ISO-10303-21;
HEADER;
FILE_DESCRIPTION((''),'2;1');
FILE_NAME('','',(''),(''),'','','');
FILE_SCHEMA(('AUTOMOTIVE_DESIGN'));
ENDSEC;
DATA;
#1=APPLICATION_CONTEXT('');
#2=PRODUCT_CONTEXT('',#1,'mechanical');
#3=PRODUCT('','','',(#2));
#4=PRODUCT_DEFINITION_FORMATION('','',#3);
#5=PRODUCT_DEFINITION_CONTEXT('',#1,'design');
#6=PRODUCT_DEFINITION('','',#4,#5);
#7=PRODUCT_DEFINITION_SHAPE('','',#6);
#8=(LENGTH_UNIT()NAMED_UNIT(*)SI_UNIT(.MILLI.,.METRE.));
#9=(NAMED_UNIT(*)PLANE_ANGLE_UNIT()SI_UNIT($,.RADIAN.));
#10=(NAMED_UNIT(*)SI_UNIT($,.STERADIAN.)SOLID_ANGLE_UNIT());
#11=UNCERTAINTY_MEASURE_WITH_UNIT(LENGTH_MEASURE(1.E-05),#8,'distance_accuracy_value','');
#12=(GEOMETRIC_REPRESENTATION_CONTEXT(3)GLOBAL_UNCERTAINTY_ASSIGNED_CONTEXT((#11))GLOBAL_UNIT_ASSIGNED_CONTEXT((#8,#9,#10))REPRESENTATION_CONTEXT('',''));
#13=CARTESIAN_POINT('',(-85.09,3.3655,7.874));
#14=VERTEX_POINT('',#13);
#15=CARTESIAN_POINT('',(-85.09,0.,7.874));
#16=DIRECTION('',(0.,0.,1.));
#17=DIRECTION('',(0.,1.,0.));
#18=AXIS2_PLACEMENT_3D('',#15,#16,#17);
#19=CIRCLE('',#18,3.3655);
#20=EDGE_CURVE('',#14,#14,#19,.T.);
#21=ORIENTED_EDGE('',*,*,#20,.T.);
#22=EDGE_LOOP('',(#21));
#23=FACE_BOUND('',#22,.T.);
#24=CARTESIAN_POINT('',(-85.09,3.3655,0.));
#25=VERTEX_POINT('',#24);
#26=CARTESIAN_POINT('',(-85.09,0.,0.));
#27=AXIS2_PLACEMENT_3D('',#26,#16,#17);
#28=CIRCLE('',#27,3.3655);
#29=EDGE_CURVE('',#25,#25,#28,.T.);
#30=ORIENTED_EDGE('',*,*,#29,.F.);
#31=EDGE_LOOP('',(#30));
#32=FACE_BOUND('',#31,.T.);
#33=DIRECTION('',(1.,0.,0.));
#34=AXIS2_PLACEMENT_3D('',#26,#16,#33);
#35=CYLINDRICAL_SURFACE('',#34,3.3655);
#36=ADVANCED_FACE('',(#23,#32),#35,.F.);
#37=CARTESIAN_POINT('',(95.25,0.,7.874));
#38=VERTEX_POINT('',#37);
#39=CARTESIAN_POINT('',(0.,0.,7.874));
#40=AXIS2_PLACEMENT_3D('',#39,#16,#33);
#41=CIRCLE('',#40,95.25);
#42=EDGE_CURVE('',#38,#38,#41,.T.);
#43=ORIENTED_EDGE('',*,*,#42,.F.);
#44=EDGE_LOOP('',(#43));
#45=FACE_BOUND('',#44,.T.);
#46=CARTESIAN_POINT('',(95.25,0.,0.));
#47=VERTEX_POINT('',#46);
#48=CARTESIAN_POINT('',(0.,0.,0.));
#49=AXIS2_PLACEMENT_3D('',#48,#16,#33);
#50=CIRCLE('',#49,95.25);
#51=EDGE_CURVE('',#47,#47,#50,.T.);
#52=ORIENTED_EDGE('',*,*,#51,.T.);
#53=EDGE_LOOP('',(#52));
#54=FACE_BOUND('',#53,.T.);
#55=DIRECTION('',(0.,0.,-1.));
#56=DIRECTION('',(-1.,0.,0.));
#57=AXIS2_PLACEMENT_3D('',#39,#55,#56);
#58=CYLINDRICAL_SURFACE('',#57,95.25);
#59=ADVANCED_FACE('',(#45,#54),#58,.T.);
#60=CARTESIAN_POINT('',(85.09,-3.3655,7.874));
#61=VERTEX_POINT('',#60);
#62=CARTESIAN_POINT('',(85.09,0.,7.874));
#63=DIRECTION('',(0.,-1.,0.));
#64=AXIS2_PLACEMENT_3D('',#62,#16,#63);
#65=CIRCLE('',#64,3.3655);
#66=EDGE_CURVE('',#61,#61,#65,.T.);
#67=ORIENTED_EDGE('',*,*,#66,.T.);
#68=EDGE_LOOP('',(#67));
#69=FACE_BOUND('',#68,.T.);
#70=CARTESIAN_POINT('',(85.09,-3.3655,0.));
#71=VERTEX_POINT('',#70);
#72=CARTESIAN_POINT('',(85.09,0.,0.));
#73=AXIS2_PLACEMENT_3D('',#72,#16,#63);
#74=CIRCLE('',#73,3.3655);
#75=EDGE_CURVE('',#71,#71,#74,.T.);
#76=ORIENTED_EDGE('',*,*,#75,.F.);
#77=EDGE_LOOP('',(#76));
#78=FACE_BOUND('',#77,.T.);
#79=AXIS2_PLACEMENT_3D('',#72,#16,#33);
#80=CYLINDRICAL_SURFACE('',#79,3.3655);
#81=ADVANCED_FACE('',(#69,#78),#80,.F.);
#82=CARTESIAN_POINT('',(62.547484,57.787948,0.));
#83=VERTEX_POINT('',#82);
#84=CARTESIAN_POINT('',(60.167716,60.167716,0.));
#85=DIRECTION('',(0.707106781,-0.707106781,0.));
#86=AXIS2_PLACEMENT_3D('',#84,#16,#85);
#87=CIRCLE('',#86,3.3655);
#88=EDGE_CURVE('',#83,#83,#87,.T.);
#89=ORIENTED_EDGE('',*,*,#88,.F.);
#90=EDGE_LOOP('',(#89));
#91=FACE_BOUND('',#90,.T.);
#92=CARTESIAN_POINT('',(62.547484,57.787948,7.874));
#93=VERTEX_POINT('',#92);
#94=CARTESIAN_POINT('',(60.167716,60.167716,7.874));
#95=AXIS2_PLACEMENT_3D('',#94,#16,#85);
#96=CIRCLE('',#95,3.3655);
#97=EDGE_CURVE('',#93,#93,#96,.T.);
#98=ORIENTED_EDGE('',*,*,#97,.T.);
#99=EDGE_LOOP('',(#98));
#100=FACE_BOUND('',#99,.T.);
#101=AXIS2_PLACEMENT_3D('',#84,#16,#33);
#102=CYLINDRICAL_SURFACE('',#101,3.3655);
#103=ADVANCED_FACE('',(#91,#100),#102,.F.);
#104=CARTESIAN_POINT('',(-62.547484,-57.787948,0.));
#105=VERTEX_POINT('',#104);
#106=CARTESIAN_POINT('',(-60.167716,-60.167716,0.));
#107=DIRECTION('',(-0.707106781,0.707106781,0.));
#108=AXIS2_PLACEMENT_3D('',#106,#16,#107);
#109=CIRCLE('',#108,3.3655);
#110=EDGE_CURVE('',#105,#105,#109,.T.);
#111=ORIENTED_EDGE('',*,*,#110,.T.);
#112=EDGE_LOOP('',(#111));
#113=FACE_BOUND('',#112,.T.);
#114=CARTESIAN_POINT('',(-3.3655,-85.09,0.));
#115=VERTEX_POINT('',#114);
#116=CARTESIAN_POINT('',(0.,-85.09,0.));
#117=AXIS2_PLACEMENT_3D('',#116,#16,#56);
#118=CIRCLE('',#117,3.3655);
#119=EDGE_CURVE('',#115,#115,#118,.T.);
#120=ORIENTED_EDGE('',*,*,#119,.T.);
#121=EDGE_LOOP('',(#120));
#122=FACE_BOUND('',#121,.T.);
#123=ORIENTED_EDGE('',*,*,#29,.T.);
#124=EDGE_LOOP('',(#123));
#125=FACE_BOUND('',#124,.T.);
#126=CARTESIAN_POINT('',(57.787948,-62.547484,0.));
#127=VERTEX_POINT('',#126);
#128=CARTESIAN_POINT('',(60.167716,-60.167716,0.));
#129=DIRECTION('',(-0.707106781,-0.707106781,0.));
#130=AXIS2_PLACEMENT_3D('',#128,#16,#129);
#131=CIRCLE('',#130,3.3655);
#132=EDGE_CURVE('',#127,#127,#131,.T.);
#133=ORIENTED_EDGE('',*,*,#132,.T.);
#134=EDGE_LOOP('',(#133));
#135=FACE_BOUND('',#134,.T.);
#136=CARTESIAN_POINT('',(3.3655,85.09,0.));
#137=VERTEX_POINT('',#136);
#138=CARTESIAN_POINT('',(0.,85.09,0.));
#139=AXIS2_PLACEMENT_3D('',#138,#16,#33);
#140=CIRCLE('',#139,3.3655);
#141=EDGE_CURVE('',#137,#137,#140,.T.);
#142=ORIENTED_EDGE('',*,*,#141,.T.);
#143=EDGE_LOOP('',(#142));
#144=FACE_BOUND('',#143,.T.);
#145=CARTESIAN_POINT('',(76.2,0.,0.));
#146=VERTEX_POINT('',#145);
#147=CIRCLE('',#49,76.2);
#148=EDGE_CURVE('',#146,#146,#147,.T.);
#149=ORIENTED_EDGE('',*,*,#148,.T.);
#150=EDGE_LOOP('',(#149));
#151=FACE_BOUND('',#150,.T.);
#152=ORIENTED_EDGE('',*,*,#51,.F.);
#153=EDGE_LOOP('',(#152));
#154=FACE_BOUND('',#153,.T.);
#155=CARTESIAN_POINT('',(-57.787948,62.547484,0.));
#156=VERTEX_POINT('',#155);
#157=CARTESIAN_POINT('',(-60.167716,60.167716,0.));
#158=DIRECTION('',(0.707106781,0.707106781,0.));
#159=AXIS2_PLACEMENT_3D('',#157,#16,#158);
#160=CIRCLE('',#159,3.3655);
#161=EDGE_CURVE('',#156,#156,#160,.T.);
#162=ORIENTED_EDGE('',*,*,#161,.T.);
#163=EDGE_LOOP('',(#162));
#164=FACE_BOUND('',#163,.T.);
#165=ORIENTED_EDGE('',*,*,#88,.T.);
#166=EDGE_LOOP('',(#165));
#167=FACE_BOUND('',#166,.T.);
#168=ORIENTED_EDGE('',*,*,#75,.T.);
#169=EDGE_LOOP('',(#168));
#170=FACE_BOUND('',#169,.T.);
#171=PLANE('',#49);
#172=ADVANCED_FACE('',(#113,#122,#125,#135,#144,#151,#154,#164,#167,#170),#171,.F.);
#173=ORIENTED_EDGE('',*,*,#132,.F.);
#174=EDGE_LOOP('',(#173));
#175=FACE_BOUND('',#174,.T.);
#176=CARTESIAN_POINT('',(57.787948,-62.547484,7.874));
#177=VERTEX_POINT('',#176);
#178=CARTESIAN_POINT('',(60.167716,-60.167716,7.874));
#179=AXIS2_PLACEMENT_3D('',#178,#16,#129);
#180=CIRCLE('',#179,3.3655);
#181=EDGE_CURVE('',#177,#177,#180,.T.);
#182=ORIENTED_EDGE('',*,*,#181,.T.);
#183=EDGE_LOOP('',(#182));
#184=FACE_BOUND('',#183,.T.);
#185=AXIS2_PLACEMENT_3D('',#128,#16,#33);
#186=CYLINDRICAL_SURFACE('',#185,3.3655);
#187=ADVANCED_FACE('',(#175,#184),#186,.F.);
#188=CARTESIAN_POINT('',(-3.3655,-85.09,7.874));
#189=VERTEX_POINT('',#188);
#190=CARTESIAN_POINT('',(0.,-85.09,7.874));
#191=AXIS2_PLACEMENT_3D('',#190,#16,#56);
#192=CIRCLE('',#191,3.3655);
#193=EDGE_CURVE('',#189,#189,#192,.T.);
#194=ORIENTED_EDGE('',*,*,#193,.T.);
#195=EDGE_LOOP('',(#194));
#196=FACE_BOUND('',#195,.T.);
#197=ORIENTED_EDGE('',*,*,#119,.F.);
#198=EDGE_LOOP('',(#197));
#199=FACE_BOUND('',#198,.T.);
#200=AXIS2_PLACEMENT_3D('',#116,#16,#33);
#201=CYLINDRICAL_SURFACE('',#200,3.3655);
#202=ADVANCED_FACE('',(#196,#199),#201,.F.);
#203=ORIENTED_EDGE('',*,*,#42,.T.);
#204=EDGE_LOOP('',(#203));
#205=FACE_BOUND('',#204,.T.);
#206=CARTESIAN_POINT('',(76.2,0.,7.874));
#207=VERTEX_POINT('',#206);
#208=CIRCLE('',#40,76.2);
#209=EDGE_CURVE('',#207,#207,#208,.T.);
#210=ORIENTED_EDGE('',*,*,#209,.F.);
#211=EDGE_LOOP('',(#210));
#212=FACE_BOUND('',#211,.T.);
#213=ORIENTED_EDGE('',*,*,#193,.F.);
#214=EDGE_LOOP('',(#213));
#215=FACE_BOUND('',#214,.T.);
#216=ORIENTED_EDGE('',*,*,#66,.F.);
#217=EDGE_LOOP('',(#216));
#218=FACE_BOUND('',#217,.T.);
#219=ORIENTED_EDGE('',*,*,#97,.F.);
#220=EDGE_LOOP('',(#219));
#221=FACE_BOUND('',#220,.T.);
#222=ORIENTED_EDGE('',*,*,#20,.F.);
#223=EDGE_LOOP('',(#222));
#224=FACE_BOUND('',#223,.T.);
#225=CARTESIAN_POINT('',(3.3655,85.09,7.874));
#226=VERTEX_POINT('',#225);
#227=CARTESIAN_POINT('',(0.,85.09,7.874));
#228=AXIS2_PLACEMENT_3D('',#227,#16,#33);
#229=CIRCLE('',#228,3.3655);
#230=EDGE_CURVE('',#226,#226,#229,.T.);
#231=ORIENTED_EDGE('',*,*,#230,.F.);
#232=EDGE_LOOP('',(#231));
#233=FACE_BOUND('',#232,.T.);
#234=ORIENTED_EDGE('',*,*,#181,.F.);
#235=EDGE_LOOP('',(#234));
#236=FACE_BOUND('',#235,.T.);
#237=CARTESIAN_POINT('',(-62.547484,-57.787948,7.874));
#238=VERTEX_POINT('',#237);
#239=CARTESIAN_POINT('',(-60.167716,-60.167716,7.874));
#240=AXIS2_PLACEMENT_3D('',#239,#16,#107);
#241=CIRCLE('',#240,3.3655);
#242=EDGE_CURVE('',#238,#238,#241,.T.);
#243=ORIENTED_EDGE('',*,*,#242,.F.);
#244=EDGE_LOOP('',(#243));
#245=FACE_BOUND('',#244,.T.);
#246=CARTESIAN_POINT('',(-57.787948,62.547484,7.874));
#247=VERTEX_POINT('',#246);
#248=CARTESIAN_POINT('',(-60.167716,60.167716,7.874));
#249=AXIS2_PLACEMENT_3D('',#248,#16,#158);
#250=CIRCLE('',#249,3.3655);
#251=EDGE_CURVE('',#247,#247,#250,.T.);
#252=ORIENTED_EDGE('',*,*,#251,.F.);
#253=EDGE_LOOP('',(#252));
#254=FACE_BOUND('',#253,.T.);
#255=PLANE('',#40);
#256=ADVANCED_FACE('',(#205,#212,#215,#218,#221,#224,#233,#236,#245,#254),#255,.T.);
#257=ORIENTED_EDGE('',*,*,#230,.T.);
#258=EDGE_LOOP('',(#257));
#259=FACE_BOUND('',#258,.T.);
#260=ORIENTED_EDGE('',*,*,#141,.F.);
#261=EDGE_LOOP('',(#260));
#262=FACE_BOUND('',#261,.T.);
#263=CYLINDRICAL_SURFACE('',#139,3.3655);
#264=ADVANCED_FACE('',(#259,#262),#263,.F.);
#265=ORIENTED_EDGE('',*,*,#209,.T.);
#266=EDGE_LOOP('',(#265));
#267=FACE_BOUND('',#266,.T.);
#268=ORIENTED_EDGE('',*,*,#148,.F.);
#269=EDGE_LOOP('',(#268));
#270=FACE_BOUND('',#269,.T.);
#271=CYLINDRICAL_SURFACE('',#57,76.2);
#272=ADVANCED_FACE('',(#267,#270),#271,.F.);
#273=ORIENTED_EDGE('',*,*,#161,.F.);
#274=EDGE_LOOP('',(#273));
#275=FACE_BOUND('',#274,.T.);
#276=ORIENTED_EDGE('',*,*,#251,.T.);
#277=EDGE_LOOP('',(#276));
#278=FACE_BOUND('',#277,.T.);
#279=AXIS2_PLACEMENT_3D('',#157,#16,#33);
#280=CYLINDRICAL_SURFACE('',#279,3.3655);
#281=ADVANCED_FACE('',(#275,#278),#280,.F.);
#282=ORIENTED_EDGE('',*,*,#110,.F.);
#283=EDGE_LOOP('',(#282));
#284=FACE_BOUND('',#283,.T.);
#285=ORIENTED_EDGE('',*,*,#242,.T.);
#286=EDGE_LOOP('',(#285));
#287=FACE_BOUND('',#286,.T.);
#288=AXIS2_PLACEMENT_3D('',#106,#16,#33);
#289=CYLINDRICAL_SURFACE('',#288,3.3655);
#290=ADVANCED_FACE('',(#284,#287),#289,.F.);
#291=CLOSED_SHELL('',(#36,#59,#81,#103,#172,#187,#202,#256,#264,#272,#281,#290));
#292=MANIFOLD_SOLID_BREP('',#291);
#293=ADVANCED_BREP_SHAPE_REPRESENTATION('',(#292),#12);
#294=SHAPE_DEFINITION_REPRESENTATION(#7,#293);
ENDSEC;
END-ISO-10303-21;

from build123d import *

# Parameters (mm, degrees)
SKETCH1_R           = 95.25
SKETCH1_R_2         = 76.2
BOSS_EXTRUDE1_DEPTH = 7.874
SKETCH2_R           = 3.3655
CUT_EXTRUDE1_DEPTH  = 8.874
CIRPATTERN1_COUNT   = 8


with BuildPart() as part:
    # Sketch1 → Boss-Extrude1 (new body)
    with BuildSketch(Plane.XY):
        Circle(SKETCH1_R)
        Circle(SKETCH1_R_2, mode=Mode.SUBTRACT)
    extrude(amount=BOSS_EXTRUDE1_DEPTH)

    # Sketch2 → Cut-Extrude1 (cut, through all)
    with BuildSketch(Plane.XY.offset(7.874)):
        with Locations((0, 85.09)):
            Circle(SKETCH2_R)
    cut_extrude1 = extrude(amount=-CUT_EXTRUDE1_DEPTH, mode=Mode.SUBTRACT)

    # CirPattern1: Cut-Extrude1 ×8 about axis
    cirpattern1_axis = Axis((0, 0, 0), (0, 0, 1))
    for i in range(1, CIRPATTERN1_COUNT):
        add(cut_extrude1.rotate(cirpattern1_axis, i * 360 / CIRPATTERN1_COUNT), mode=Mode.SUBTRACT)


solid = part.part
